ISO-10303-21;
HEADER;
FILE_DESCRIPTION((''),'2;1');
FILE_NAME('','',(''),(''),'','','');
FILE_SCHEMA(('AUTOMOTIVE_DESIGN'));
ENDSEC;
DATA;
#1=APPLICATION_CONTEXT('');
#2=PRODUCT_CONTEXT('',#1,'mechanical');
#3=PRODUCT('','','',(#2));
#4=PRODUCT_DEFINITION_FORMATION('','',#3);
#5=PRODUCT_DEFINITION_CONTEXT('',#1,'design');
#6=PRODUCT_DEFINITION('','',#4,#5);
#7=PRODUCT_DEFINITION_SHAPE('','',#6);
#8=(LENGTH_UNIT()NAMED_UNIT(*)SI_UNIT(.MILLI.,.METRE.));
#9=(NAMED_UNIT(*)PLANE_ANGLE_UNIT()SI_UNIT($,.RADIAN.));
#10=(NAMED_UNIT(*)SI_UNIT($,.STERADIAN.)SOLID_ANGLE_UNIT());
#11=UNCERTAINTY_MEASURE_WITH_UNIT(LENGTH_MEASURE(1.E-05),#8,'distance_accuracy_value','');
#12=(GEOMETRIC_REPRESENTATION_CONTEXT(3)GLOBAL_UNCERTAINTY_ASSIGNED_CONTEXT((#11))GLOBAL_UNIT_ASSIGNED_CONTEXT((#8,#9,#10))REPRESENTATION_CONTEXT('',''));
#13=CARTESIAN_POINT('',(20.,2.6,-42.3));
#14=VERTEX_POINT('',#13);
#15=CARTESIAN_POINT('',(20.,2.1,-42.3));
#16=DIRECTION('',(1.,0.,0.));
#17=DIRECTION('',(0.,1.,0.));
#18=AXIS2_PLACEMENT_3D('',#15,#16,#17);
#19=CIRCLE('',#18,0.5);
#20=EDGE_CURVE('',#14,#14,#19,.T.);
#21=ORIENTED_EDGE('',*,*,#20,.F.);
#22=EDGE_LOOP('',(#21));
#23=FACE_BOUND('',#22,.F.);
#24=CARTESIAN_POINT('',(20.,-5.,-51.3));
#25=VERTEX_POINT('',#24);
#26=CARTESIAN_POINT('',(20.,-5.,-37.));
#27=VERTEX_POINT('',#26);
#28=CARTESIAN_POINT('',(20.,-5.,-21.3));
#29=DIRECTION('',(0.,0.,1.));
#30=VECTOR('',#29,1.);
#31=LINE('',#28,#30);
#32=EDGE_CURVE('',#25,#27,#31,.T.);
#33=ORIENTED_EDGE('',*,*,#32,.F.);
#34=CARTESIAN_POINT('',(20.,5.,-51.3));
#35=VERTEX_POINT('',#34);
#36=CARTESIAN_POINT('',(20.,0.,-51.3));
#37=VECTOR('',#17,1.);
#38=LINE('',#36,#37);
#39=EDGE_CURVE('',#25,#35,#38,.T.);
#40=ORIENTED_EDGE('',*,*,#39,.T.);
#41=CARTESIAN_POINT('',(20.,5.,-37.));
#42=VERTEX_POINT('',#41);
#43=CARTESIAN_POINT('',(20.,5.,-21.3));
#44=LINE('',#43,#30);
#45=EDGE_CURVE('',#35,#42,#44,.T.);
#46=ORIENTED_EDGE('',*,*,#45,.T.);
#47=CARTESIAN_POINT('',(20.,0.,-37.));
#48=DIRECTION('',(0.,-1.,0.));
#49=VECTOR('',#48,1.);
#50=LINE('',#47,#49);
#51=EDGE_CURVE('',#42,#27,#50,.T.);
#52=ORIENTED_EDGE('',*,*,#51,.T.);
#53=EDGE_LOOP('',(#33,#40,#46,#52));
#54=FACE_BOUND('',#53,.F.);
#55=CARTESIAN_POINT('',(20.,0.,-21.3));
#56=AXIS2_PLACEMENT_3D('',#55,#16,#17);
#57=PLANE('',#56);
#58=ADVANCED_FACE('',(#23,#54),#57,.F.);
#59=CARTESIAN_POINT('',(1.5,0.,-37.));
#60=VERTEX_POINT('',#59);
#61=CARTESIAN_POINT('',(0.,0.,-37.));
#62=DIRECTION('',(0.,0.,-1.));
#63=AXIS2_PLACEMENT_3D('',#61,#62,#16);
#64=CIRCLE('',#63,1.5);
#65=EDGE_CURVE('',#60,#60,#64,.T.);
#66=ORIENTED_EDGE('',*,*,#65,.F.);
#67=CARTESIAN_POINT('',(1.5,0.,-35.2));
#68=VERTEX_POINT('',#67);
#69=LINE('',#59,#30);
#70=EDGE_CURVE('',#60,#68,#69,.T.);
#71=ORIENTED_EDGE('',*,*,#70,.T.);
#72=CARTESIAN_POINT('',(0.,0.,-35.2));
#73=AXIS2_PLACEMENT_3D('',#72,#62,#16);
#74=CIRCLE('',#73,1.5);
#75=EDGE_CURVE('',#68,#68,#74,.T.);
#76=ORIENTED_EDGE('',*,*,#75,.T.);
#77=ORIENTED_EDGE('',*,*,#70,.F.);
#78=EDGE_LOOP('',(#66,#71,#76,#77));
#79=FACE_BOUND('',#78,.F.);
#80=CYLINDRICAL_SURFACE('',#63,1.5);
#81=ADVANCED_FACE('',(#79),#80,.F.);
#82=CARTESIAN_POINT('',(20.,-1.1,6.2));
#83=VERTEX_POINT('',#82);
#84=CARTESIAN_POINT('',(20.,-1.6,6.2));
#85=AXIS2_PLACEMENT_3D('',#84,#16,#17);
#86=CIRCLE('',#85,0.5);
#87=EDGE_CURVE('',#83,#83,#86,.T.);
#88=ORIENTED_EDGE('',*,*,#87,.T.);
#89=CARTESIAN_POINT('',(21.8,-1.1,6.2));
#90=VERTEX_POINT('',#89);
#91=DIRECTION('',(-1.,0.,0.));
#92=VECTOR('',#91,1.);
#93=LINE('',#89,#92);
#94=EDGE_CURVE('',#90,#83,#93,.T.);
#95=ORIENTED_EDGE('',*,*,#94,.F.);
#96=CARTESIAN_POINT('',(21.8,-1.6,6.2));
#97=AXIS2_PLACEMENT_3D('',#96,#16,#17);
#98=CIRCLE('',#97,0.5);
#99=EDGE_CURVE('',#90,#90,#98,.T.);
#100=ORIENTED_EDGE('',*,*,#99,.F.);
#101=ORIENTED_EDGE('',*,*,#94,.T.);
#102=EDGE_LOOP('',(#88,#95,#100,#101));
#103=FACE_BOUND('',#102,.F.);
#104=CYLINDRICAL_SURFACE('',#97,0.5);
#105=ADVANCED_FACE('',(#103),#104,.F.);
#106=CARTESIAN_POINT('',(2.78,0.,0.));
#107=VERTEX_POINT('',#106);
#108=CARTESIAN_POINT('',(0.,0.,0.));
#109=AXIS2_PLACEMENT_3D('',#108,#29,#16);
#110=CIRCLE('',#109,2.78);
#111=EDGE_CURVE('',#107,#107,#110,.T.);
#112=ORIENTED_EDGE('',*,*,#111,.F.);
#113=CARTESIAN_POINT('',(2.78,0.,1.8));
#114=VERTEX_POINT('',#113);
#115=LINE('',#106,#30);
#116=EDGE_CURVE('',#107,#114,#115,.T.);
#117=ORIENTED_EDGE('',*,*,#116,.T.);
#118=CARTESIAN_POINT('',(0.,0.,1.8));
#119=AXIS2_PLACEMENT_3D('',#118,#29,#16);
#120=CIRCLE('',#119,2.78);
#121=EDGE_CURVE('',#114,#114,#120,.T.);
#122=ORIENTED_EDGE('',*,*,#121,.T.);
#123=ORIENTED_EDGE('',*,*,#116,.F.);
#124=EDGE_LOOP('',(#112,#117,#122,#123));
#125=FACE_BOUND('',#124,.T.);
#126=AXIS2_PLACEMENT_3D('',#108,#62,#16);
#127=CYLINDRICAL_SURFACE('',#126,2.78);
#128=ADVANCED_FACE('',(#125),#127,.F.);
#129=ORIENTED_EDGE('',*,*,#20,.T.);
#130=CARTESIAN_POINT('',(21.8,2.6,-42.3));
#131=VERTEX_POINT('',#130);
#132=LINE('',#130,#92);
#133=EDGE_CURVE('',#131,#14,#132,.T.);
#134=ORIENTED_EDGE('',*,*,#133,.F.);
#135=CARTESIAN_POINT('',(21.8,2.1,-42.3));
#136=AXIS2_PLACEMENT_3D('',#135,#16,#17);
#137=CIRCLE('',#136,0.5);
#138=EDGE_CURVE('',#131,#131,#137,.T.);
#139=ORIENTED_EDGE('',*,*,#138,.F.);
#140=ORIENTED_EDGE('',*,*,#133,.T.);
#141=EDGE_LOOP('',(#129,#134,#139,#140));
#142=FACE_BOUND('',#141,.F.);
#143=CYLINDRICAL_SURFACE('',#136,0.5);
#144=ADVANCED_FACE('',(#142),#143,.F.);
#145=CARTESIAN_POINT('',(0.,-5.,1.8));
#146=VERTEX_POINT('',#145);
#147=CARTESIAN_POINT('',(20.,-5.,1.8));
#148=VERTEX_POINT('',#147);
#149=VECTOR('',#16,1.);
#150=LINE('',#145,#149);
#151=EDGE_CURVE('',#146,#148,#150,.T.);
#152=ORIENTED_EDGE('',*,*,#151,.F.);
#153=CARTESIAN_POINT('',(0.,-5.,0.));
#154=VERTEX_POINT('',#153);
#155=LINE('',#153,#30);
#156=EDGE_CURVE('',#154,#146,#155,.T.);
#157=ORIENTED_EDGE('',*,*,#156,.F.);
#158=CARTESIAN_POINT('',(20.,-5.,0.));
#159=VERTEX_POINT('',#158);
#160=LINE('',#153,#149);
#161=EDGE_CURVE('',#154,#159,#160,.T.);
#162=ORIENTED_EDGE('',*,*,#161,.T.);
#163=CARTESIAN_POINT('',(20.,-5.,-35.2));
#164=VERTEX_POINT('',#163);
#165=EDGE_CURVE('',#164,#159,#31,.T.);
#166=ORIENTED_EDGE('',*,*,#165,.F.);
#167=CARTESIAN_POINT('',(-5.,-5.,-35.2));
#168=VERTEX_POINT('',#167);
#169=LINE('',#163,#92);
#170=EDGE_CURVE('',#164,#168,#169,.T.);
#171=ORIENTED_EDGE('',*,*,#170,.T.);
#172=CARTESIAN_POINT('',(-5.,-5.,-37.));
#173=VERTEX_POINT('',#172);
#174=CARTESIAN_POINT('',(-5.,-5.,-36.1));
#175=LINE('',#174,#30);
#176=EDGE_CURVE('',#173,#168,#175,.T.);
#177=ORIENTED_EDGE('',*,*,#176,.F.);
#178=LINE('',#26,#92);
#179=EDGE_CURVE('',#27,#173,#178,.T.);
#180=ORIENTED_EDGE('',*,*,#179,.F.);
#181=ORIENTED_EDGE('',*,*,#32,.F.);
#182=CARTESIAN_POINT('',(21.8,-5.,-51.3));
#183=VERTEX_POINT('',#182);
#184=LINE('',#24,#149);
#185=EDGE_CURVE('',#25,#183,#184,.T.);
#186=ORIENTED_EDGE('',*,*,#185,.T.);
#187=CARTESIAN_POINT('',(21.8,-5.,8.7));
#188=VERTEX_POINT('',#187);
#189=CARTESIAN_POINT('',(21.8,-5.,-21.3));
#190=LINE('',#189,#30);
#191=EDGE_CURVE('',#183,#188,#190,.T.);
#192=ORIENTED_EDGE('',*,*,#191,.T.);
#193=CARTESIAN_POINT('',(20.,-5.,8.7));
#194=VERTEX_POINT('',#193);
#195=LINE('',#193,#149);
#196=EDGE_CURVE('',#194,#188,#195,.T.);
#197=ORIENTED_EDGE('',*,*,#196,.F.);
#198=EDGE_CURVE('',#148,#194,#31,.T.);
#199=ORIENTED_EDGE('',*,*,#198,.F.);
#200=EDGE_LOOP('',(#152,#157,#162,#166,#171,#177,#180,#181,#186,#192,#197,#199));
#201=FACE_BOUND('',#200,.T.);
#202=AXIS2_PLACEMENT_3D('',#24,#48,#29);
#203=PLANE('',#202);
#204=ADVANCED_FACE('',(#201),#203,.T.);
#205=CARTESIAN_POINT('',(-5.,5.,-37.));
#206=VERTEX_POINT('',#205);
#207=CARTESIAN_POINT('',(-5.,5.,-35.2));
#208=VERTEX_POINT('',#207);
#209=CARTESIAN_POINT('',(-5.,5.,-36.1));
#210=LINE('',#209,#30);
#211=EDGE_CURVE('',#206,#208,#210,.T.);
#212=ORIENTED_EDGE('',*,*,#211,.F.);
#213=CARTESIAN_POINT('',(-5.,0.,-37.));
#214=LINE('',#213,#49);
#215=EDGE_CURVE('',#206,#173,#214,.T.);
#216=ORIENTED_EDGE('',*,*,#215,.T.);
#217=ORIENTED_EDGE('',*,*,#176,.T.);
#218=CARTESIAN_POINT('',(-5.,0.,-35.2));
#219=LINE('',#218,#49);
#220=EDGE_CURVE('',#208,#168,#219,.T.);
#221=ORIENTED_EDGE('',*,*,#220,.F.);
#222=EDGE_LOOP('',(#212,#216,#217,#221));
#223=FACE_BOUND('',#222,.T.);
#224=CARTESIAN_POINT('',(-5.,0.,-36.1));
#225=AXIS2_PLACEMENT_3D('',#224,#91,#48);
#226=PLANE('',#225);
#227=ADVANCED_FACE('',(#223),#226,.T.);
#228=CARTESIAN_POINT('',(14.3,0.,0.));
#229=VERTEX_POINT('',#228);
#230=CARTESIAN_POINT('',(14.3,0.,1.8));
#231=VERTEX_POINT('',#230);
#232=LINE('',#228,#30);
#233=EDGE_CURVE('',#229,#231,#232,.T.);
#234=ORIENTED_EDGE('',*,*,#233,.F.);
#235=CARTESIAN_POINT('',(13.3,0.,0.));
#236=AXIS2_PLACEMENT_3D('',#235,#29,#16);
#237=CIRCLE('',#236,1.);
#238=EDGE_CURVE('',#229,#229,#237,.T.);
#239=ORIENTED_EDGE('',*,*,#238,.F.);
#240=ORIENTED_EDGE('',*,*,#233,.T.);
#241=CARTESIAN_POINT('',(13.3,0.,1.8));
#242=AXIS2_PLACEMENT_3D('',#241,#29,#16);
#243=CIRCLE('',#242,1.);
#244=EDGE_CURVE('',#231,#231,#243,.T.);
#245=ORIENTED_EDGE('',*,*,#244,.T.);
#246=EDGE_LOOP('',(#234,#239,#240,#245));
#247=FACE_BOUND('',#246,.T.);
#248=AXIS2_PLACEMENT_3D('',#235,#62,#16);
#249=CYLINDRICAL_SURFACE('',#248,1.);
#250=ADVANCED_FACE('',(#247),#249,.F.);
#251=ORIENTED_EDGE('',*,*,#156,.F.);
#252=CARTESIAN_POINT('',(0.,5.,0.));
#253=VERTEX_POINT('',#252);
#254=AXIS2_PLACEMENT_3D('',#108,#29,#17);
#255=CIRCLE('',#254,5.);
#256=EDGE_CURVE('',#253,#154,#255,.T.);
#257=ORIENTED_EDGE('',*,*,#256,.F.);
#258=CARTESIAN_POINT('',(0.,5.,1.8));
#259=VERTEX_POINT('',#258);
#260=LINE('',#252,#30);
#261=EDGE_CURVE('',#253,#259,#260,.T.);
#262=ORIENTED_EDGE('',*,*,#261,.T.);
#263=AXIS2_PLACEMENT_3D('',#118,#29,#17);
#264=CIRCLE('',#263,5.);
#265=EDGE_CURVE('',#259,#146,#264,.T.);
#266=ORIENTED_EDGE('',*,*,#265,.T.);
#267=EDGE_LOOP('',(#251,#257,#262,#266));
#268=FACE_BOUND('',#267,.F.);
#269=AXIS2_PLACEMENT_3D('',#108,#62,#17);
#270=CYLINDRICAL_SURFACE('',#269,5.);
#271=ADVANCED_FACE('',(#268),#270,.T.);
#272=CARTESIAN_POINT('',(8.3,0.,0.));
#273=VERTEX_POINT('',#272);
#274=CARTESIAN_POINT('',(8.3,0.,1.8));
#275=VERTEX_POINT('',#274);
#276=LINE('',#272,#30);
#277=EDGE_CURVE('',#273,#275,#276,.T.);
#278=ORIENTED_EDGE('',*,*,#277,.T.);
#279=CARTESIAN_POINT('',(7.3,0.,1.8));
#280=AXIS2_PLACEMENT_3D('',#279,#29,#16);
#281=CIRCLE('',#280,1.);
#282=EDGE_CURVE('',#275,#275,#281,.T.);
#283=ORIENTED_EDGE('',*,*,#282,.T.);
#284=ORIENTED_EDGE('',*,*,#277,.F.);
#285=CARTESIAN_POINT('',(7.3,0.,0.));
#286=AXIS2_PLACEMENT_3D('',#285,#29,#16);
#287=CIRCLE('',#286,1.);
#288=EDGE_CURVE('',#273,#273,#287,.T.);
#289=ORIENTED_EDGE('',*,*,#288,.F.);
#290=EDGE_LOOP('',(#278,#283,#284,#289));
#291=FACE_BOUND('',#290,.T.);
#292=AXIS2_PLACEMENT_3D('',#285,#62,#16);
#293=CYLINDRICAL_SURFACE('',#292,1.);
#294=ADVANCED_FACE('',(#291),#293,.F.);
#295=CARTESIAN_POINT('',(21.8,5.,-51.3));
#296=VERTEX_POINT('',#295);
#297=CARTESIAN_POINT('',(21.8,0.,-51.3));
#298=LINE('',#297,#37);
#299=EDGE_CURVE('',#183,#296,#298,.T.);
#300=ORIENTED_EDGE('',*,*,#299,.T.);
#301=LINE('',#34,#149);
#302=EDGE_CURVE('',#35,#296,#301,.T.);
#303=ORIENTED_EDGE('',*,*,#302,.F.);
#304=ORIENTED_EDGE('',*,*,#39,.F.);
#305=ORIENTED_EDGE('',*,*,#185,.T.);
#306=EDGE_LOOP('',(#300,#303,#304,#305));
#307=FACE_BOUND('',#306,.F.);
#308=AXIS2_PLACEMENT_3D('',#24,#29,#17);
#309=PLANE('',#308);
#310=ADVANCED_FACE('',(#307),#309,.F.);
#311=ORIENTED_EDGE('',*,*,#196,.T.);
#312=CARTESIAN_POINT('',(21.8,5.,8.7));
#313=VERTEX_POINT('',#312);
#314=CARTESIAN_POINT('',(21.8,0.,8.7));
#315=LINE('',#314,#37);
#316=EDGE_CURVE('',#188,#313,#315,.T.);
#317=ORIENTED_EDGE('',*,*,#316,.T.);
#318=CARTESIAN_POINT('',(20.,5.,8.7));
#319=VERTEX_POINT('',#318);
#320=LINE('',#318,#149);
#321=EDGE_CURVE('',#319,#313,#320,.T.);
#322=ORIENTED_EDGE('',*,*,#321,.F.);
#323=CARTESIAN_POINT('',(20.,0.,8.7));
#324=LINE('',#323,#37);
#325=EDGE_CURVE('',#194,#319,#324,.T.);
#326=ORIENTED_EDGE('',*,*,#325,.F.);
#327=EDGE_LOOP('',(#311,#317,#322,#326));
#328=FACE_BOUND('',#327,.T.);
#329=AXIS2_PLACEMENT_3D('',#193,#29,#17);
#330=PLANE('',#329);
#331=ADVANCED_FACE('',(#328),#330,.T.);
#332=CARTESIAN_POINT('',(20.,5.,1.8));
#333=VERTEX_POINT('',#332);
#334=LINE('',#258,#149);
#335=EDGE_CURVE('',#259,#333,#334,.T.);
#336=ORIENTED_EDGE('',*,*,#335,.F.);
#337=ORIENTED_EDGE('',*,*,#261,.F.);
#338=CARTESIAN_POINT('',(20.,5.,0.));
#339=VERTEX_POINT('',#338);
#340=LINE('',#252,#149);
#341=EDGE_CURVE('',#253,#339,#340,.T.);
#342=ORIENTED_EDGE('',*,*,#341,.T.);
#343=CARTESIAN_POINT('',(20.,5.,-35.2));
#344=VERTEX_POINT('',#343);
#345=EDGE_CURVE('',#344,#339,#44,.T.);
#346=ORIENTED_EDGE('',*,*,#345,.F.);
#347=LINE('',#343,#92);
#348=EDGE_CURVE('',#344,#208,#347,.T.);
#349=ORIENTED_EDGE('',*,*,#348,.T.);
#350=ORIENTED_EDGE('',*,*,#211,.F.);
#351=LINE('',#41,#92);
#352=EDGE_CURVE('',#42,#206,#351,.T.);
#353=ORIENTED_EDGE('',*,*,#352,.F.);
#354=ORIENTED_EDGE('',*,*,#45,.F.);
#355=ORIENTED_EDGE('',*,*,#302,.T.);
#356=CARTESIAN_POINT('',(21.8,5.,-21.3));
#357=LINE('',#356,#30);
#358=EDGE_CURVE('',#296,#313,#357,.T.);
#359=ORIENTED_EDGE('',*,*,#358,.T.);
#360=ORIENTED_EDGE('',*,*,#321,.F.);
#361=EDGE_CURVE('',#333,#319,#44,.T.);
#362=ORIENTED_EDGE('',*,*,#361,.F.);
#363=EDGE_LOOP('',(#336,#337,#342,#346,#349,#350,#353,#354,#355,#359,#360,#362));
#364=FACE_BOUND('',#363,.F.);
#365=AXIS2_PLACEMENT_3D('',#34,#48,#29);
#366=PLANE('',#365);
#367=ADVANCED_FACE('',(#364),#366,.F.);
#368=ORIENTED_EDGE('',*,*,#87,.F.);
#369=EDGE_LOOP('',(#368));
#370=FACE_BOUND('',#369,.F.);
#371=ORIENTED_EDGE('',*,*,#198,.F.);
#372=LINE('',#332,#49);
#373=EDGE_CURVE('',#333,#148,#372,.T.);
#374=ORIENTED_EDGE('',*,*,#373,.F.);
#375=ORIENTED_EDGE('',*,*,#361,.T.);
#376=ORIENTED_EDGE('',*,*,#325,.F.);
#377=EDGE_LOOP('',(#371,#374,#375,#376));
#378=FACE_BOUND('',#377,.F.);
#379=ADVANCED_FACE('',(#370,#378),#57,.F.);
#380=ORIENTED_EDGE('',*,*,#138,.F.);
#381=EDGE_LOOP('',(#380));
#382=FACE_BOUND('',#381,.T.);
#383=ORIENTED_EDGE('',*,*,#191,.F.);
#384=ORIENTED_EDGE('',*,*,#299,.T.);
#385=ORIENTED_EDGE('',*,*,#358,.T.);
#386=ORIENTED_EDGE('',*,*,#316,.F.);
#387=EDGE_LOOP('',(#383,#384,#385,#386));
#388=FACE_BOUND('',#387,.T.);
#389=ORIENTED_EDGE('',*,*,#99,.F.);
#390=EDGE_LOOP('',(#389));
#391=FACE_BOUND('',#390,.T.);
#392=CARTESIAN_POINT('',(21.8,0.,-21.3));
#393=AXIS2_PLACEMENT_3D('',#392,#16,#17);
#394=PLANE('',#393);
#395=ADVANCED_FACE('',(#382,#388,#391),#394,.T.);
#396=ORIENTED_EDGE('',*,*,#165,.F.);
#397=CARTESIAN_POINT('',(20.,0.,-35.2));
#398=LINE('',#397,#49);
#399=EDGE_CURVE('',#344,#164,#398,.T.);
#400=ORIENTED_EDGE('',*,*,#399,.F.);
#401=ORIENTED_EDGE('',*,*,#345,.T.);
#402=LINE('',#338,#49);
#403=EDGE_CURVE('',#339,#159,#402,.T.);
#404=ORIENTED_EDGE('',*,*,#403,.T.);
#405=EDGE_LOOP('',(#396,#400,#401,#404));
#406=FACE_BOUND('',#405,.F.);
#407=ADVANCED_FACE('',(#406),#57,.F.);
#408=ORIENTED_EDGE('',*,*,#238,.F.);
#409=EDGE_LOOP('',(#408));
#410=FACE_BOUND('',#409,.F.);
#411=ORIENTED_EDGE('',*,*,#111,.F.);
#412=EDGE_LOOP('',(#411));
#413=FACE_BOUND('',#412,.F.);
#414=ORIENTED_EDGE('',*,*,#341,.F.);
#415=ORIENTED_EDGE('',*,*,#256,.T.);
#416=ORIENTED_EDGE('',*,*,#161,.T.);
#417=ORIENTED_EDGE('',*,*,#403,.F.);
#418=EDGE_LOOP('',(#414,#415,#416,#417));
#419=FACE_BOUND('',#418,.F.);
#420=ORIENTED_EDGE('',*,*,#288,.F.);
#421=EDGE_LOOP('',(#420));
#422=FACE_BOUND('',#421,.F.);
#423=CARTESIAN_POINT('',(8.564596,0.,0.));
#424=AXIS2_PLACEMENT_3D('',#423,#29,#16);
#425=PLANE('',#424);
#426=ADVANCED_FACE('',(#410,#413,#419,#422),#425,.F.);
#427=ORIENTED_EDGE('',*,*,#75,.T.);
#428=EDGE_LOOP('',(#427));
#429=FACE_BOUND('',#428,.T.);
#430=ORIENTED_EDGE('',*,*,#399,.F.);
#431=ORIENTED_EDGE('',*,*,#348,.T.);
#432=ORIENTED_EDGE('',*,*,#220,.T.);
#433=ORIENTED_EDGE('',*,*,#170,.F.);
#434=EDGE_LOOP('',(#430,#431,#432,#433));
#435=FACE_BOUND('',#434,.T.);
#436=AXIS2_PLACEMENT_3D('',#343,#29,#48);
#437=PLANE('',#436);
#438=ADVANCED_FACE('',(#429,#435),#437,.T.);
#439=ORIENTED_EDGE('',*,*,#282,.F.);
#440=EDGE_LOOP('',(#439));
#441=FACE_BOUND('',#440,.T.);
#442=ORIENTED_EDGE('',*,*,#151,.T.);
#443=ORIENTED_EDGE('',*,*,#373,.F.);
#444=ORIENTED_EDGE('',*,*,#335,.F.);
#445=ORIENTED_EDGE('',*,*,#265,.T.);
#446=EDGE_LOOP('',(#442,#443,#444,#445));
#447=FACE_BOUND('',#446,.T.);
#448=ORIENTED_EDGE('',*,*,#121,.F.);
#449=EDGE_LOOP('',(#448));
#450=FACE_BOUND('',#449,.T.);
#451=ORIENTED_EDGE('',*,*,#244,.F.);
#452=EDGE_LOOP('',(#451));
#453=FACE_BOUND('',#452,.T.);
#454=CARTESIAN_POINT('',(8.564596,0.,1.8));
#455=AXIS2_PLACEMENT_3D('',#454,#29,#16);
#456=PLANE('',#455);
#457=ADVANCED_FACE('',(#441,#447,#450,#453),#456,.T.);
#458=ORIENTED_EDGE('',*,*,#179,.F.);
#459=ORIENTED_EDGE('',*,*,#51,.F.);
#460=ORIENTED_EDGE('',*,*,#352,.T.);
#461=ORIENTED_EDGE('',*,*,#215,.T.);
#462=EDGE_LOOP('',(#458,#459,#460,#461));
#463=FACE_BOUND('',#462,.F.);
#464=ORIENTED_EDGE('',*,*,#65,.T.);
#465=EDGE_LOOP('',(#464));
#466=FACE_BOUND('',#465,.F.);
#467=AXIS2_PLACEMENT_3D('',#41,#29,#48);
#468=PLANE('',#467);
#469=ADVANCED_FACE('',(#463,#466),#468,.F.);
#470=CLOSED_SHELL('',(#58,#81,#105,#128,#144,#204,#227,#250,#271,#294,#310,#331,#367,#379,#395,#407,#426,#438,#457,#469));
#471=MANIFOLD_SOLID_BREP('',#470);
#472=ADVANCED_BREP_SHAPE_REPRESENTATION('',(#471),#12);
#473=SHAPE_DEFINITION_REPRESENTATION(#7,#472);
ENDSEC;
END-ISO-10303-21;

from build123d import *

# Parameters (mm, degrees)
SKETCH_R        = 2.78
SKETCH_R_2      = 1
PAD_DEPTH       = 1.8
SKETCH001_W     = 10
SKETCH001_H     = 60
PAD001_DEPTH    = 1.8
SKETCH002_W     = 10
SKETCH002_H     = 1.8
PAD002_DEPTH    = 25
SKETCH003_R     = 1.5
POCKET_DEPTH    = 45.701
SKETCH004_R     = 0.5
POCKET001_DEPTH = 26.801


with BuildPart() as part:
    # Sketch → Pad (new body)
    with BuildSketch(Plane.XY):
        with BuildLine():
            ThreePointArc((0, 5), (-5, 0), (0, -5))
            Line((0, -5), (20, -5))
            Line((20, 5), (20, -5))
            Line((0, 5), (20, 5))
        make_face()
        Circle(SKETCH_R, mode=Mode.SUBTRACT)
        with Locations((7.3, 0)):
            Circle(SKETCH_R_2, mode=Mode.SUBTRACT)
        with Locations((13.3, 0)):
            Circle(SKETCH_R_2, mode=Mode.SUBTRACT)
    extrude(amount=PAD_DEPTH)

    # Sketch001 → Pad001 (new body)
    with BuildSketch(Plane.YZ.offset(20)):
        with Locations((0, -21.3)):
            Rectangle(SKETCH001_W, SKETCH001_H)
    extrude(amount=PAD001_DEPTH)

    # Sketch002 → Pad002 (new body)
    with BuildSketch(Plane(origin=(20, 0, 0), x_dir=(0, -1, 0), z_dir=(-1, 0, 0))):
        with Locations((0, -36.1)):
            Rectangle(SKETCH002_W, SKETCH002_H)
    extrude(amount=PAD002_DEPTH)

    # Sketch003 → Pocket (cut, through all)
    with BuildSketch(Plane(origin=(0, 0, -37), x_dir=(1, 0, 0), z_dir=(0, 0, -1))):
        Circle(SKETCH003_R)
    extrude(amount=-POCKET_DEPTH, mode=Mode.SUBTRACT)

    # Sketch004 → Pocket001 (cut, through all)
    with BuildSketch(Plane.YZ.offset(21.8)):
        with Locations((2.1, -42.3)):
            Circle(SKETCH004_R)
        with Locations((-1.6, 6.2)):
            Circle(SKETCH004_R)
    extrude(amount=-POCKET001_DEPTH, mode=Mode.SUBTRACT)


solid = part.part
